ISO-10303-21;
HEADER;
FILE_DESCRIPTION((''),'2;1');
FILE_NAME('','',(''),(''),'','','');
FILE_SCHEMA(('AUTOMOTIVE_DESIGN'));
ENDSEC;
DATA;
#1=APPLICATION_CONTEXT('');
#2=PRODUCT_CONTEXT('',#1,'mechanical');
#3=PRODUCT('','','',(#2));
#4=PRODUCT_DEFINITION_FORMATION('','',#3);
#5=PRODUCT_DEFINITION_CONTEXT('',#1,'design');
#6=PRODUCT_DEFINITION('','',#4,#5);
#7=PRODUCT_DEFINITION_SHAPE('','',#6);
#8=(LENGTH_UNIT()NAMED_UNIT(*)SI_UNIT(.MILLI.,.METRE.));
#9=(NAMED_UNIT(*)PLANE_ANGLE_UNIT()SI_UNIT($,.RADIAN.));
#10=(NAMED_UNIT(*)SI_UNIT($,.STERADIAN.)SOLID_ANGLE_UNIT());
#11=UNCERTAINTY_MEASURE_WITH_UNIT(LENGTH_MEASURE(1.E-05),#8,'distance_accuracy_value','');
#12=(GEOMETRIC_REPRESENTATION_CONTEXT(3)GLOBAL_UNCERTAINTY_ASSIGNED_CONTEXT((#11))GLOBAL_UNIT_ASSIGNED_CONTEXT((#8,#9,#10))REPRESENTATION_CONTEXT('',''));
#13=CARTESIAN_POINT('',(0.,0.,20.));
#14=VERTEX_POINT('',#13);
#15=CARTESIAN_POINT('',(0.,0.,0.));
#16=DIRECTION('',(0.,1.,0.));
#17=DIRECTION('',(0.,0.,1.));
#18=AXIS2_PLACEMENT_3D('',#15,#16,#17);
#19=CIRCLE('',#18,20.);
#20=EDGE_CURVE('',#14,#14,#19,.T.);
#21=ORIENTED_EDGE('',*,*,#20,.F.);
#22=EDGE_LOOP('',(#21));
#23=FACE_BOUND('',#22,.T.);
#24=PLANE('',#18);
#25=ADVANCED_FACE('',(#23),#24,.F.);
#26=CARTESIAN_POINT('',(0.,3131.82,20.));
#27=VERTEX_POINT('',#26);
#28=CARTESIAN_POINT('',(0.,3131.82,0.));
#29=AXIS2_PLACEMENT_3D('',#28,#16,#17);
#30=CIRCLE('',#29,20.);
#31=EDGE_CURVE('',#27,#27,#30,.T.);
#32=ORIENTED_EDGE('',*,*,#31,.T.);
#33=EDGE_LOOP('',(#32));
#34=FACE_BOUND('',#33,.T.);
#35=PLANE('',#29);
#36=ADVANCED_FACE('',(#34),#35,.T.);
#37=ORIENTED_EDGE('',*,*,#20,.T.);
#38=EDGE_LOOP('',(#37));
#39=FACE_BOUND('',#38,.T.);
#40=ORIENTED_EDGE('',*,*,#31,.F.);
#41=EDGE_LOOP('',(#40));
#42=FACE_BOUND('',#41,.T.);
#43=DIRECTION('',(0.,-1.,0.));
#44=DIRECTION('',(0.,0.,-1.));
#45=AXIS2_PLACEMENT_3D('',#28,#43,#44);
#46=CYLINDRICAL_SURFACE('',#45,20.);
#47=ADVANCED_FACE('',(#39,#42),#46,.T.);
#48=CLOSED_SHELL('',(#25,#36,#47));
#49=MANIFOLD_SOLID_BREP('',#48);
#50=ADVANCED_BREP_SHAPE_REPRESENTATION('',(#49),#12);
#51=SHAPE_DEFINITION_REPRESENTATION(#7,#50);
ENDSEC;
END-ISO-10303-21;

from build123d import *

# Parameters (mm, degrees)
SKETCH1_R           = 20
BOSS_EXTRUDE1_DEPTH = 3131.82


with BuildPart() as part:
    # Sketch1 → Boss-Extrude1 (new body)
    with BuildSketch(Plane(origin=(0, 0, 0), x_dir=(1, 0, 0), z_dir=(0, 1, 0))):
        Circle(SKETCH1_R)
    extrude(amount=BOSS_EXTRUDE1_DEPTH)


solid = part.part
